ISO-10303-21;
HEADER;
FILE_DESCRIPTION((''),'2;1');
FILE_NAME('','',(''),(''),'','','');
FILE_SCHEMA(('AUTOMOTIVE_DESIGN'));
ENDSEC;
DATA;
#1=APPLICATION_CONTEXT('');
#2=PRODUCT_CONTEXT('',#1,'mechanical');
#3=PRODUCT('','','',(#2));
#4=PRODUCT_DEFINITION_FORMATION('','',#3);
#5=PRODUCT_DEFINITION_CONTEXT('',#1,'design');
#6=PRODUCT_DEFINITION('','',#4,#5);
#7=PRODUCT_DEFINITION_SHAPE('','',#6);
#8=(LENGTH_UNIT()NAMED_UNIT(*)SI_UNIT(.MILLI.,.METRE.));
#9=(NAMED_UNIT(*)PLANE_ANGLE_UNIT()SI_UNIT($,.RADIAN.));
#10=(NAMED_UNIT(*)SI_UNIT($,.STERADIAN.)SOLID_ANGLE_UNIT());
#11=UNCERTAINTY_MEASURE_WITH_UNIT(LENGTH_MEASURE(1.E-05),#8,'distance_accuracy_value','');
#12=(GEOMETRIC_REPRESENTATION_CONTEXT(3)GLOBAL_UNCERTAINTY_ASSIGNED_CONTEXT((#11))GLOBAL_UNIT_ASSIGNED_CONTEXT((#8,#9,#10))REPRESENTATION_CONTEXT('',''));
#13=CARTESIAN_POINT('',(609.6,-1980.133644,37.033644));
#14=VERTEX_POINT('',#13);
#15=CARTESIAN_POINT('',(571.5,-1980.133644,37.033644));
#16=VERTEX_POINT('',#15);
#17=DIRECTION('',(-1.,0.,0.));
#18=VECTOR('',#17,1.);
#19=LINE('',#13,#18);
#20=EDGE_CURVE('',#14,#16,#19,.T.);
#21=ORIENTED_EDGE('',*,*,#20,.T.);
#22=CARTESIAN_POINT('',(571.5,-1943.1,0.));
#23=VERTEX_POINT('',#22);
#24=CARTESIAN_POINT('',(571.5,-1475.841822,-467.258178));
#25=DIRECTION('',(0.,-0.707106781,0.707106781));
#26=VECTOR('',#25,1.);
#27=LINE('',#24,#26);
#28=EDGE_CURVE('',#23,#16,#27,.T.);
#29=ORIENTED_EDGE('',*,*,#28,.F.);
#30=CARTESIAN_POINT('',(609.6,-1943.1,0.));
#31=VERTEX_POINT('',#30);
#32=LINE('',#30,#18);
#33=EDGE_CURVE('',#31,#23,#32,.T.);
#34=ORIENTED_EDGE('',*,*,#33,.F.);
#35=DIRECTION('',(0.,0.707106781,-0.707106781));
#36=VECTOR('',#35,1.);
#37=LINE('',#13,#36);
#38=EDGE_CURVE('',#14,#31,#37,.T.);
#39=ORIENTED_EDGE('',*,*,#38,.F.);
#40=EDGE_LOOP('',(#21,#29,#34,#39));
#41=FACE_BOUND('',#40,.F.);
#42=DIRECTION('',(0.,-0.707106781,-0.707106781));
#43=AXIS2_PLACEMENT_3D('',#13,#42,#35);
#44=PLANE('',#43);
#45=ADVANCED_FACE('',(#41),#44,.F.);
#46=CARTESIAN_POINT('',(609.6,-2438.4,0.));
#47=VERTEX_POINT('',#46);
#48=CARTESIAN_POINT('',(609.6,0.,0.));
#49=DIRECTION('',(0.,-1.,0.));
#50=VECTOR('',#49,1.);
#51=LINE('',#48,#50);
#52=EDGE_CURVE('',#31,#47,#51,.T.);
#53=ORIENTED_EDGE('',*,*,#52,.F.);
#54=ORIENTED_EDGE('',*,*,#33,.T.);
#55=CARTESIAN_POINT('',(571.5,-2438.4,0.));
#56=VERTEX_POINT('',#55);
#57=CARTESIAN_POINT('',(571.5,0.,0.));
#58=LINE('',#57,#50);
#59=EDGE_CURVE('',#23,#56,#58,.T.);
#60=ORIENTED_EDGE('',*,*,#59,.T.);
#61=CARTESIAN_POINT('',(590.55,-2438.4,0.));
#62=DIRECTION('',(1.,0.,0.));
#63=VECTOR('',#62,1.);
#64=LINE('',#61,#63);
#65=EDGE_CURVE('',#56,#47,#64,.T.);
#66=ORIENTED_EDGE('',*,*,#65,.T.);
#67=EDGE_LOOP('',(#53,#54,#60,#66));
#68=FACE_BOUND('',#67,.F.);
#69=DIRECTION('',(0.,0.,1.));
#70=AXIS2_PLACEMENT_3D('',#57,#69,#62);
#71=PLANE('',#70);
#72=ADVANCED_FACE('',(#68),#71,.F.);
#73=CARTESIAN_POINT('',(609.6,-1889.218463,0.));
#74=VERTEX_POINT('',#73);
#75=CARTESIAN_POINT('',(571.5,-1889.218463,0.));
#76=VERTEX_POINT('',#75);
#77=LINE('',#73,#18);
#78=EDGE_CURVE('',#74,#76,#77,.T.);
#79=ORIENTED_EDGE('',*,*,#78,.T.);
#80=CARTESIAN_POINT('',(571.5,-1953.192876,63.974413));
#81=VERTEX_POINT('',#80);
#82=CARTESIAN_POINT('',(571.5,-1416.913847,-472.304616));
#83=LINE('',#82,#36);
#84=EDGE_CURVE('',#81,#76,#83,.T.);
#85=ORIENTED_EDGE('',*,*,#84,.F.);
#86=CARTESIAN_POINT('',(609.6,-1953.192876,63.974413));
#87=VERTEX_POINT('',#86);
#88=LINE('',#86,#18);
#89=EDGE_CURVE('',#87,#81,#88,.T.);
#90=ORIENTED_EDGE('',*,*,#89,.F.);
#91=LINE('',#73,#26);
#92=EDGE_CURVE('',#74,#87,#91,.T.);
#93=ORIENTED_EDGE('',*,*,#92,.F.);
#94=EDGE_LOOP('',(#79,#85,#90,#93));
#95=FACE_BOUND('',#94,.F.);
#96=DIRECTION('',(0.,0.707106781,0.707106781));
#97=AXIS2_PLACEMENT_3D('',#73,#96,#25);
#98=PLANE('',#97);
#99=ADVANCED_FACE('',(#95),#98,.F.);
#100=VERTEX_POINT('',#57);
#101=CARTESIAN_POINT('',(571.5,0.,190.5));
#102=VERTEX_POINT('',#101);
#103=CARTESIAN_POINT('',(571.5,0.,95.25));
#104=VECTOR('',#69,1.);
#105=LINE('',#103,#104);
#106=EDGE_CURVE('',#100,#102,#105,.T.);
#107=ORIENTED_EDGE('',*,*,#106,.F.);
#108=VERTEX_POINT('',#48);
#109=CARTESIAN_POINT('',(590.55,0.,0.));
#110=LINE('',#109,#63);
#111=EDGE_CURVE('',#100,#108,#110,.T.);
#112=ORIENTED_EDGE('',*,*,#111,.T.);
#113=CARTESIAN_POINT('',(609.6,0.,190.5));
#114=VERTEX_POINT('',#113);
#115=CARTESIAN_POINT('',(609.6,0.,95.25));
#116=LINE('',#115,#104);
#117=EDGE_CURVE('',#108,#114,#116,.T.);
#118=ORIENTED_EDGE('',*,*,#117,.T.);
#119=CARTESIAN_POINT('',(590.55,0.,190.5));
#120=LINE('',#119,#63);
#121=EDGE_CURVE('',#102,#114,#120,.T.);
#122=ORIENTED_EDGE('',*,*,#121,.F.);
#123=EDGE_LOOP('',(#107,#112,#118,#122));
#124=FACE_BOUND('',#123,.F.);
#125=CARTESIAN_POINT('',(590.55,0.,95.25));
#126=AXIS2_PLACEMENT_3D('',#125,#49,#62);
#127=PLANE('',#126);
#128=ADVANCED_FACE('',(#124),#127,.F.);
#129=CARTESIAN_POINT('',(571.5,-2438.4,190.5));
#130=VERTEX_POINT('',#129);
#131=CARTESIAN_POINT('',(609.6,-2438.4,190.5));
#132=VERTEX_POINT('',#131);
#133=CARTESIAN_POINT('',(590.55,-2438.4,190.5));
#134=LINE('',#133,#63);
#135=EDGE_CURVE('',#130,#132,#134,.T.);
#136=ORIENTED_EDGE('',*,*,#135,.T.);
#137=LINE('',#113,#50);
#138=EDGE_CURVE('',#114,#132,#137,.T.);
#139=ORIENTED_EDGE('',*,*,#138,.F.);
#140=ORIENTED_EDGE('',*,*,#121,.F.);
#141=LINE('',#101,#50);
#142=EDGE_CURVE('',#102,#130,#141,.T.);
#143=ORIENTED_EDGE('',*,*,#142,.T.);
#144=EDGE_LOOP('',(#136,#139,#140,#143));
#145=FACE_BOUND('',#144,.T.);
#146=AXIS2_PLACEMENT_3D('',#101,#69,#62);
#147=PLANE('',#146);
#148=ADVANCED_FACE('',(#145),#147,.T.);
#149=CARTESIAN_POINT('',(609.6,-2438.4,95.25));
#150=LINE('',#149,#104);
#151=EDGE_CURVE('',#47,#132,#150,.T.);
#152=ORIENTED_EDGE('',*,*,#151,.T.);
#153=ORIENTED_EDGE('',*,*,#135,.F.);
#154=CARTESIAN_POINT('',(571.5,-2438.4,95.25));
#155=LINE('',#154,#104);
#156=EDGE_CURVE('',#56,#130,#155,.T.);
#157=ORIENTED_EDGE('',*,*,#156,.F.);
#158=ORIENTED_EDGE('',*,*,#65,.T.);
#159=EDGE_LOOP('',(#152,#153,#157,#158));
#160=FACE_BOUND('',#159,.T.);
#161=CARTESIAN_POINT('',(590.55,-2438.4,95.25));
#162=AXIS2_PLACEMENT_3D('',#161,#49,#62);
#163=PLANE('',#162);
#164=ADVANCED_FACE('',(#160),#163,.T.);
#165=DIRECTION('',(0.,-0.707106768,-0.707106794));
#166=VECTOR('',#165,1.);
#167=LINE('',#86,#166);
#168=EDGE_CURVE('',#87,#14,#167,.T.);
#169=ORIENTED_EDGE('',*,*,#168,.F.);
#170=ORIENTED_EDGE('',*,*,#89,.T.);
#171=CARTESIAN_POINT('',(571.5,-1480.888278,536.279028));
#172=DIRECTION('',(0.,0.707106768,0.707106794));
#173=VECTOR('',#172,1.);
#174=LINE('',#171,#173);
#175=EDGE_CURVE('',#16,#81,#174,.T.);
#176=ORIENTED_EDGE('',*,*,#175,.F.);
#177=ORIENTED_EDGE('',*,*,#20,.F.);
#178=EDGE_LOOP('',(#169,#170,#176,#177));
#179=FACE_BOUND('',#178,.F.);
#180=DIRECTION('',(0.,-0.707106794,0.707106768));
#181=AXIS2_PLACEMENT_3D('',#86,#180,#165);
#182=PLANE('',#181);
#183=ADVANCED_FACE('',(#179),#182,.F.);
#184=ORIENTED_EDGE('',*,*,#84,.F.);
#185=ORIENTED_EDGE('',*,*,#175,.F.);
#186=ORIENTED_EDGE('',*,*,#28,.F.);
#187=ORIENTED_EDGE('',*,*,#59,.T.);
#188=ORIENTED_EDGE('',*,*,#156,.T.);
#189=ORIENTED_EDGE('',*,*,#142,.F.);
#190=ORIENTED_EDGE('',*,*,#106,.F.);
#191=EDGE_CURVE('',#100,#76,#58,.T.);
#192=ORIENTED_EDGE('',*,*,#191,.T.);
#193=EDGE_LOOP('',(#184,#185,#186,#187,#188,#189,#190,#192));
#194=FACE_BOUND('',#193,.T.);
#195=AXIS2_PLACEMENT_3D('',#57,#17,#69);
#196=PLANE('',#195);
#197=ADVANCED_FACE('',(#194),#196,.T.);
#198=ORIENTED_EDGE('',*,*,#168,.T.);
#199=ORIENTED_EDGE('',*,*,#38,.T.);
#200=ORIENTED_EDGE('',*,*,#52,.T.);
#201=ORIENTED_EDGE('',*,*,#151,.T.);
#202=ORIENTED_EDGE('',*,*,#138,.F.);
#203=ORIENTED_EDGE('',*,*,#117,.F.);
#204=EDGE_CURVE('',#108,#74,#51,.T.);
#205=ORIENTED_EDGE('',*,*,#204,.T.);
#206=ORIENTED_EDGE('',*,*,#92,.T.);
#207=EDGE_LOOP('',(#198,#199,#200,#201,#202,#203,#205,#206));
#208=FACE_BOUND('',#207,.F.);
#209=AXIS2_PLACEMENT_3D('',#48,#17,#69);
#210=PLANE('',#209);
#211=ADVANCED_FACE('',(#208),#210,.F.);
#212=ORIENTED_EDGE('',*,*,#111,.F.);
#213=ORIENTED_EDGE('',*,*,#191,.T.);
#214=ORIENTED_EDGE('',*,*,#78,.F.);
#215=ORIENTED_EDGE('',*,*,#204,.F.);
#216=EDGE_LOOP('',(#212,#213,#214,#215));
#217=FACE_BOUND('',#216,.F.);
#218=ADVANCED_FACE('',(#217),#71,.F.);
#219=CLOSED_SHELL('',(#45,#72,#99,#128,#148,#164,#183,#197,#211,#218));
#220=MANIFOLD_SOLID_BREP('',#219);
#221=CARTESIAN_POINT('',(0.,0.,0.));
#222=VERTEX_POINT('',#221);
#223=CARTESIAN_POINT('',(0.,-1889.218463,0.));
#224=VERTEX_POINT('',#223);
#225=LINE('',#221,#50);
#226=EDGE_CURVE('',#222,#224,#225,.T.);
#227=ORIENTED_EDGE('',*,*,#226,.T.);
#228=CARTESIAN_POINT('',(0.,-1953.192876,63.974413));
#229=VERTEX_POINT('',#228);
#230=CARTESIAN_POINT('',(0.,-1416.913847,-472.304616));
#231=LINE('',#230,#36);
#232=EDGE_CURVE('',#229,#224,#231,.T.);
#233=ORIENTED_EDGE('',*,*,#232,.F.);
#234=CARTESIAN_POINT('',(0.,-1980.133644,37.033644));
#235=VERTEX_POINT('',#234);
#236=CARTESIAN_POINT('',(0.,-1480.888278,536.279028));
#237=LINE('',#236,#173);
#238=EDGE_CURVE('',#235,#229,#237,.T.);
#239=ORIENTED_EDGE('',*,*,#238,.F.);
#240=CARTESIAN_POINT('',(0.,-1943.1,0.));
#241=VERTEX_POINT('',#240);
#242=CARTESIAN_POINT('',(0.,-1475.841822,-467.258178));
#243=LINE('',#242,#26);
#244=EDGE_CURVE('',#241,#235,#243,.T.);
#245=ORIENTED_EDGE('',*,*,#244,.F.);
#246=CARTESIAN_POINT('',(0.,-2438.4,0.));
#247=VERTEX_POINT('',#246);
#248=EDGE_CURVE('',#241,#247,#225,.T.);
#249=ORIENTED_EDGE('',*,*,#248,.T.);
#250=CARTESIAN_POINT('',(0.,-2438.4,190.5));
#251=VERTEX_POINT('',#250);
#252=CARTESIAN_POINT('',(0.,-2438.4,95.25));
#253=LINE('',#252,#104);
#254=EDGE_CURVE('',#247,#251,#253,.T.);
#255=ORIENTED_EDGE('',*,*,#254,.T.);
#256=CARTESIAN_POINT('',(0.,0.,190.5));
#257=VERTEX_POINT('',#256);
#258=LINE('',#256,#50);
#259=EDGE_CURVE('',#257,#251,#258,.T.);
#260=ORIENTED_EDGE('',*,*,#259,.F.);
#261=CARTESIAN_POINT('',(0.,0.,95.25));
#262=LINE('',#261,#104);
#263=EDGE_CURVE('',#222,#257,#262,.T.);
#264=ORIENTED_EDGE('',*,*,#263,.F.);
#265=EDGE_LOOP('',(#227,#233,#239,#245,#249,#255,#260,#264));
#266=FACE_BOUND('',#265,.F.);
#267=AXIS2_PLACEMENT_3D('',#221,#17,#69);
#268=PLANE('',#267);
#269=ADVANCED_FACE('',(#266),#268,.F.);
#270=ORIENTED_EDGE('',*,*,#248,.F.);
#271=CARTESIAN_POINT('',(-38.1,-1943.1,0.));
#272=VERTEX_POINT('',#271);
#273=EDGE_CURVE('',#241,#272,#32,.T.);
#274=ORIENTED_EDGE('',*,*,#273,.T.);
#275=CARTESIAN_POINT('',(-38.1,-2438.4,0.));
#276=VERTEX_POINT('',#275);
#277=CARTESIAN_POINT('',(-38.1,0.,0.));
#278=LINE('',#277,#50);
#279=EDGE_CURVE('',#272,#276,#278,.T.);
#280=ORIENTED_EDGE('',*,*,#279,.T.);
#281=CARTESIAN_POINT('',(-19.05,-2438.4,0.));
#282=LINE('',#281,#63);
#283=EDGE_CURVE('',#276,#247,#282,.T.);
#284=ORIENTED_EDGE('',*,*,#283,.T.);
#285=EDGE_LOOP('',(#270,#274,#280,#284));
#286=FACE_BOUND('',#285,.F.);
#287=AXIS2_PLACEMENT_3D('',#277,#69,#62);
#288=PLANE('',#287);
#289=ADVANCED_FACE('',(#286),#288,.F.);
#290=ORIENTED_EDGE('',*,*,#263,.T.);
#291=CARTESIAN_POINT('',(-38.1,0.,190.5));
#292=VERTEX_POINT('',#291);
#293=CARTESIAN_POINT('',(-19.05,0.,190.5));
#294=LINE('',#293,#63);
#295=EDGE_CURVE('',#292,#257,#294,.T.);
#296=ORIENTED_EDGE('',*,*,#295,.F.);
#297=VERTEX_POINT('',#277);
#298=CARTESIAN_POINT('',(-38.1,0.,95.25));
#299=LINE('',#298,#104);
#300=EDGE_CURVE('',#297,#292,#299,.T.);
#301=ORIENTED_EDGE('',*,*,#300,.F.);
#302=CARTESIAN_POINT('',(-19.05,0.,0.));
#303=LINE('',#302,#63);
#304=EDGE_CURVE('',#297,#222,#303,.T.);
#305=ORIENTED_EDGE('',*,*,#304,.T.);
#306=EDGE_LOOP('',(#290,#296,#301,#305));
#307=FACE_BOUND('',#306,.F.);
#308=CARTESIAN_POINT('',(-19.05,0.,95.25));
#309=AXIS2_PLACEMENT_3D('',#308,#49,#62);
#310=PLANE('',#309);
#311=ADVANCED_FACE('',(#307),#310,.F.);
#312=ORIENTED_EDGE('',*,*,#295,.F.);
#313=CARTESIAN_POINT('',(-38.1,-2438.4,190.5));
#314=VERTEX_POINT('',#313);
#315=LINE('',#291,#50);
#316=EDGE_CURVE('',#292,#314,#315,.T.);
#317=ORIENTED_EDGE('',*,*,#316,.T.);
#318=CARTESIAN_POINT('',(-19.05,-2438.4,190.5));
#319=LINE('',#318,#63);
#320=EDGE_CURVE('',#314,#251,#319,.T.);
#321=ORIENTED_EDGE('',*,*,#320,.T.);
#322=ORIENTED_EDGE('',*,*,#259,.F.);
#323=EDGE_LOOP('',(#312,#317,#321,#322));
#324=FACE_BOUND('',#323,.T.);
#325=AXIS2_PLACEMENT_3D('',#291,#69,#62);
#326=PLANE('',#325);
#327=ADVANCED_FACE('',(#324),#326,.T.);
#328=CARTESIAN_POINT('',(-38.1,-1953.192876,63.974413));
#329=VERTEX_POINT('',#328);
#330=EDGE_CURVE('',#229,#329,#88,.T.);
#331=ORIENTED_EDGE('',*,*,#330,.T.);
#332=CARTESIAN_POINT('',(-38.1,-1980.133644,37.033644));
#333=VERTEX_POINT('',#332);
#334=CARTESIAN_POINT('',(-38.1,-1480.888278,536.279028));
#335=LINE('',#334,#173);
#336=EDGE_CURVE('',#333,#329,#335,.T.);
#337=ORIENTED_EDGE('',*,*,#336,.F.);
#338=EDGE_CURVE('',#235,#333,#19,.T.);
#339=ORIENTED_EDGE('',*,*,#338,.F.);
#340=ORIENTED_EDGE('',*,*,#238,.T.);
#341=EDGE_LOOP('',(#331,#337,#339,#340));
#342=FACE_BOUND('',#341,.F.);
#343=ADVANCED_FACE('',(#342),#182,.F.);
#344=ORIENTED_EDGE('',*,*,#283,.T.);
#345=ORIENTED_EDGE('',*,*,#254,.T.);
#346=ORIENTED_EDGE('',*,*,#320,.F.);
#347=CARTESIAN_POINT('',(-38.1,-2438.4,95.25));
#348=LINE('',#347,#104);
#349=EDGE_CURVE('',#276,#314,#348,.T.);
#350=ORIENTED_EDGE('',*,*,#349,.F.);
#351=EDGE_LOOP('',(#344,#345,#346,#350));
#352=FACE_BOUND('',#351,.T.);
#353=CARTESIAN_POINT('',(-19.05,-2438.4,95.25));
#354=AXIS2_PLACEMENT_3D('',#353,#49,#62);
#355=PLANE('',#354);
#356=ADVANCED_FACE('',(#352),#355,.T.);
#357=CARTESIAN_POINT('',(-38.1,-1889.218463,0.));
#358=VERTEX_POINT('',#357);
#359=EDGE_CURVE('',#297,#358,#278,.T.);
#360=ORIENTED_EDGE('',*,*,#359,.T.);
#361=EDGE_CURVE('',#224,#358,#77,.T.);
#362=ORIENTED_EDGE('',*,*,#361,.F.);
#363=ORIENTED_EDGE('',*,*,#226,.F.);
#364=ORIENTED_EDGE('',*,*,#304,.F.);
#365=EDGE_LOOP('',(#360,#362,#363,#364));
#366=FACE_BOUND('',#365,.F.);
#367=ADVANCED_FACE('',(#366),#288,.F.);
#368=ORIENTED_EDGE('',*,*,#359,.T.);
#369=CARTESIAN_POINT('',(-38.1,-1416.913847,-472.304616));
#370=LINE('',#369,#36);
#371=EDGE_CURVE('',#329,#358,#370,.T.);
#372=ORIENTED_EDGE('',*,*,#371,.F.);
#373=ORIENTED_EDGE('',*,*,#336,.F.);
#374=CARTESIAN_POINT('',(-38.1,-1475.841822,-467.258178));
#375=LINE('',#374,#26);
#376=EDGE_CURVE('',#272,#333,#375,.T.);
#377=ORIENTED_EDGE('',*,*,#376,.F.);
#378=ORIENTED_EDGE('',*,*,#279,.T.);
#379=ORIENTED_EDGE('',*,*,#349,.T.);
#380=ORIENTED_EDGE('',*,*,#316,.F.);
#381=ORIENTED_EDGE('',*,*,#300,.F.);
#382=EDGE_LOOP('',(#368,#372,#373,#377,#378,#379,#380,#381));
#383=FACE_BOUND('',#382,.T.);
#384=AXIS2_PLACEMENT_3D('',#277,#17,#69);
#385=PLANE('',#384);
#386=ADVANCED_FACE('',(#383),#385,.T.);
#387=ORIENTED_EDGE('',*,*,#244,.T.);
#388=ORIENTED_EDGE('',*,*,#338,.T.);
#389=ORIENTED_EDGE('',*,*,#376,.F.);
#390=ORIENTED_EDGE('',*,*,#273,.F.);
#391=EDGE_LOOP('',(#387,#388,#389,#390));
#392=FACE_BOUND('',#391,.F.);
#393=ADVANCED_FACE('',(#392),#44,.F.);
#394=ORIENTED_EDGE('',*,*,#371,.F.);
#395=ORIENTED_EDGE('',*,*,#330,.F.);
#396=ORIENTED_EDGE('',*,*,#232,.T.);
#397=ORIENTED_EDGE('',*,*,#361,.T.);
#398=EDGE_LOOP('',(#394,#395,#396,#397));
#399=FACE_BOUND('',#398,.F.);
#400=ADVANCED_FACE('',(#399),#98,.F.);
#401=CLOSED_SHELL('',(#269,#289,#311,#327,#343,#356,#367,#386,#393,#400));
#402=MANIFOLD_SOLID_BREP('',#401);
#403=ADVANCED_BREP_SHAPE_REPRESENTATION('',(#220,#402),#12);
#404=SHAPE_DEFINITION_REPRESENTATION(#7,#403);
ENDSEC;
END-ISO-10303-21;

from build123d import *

# Parameters (mm, degrees)
F0_W     = 38.1
F0_H     = 190.5
F1_DEPTH = 2438.4
F3_DEPTH = 914.4


with BuildPart() as f1:
    # F0 (on Front) → F1 (new body)
    with BuildSketch(Plane.XZ):
        with Locations((-19.05, 95.25)):
            Rectangle(F0_W, F0_H)
        with Locations((590.55, 95.25)):
            Rectangle(F0_W, F0_H)
    extrude(amount=F1_DEPTH)

    # F2 (on face) → F3 (cut)
    with BuildSketch(Plane.YZ.offset(609.6)):
        Polygon((-1980.133644, 37.033644), (-1943.1, 0), (-1889.218463, 0), (-1953.192876, 63.974413), align=None)
    extrude(amount=-F3_DEPTH, mode=Mode.SUBTRACT)


solid = f1.part
